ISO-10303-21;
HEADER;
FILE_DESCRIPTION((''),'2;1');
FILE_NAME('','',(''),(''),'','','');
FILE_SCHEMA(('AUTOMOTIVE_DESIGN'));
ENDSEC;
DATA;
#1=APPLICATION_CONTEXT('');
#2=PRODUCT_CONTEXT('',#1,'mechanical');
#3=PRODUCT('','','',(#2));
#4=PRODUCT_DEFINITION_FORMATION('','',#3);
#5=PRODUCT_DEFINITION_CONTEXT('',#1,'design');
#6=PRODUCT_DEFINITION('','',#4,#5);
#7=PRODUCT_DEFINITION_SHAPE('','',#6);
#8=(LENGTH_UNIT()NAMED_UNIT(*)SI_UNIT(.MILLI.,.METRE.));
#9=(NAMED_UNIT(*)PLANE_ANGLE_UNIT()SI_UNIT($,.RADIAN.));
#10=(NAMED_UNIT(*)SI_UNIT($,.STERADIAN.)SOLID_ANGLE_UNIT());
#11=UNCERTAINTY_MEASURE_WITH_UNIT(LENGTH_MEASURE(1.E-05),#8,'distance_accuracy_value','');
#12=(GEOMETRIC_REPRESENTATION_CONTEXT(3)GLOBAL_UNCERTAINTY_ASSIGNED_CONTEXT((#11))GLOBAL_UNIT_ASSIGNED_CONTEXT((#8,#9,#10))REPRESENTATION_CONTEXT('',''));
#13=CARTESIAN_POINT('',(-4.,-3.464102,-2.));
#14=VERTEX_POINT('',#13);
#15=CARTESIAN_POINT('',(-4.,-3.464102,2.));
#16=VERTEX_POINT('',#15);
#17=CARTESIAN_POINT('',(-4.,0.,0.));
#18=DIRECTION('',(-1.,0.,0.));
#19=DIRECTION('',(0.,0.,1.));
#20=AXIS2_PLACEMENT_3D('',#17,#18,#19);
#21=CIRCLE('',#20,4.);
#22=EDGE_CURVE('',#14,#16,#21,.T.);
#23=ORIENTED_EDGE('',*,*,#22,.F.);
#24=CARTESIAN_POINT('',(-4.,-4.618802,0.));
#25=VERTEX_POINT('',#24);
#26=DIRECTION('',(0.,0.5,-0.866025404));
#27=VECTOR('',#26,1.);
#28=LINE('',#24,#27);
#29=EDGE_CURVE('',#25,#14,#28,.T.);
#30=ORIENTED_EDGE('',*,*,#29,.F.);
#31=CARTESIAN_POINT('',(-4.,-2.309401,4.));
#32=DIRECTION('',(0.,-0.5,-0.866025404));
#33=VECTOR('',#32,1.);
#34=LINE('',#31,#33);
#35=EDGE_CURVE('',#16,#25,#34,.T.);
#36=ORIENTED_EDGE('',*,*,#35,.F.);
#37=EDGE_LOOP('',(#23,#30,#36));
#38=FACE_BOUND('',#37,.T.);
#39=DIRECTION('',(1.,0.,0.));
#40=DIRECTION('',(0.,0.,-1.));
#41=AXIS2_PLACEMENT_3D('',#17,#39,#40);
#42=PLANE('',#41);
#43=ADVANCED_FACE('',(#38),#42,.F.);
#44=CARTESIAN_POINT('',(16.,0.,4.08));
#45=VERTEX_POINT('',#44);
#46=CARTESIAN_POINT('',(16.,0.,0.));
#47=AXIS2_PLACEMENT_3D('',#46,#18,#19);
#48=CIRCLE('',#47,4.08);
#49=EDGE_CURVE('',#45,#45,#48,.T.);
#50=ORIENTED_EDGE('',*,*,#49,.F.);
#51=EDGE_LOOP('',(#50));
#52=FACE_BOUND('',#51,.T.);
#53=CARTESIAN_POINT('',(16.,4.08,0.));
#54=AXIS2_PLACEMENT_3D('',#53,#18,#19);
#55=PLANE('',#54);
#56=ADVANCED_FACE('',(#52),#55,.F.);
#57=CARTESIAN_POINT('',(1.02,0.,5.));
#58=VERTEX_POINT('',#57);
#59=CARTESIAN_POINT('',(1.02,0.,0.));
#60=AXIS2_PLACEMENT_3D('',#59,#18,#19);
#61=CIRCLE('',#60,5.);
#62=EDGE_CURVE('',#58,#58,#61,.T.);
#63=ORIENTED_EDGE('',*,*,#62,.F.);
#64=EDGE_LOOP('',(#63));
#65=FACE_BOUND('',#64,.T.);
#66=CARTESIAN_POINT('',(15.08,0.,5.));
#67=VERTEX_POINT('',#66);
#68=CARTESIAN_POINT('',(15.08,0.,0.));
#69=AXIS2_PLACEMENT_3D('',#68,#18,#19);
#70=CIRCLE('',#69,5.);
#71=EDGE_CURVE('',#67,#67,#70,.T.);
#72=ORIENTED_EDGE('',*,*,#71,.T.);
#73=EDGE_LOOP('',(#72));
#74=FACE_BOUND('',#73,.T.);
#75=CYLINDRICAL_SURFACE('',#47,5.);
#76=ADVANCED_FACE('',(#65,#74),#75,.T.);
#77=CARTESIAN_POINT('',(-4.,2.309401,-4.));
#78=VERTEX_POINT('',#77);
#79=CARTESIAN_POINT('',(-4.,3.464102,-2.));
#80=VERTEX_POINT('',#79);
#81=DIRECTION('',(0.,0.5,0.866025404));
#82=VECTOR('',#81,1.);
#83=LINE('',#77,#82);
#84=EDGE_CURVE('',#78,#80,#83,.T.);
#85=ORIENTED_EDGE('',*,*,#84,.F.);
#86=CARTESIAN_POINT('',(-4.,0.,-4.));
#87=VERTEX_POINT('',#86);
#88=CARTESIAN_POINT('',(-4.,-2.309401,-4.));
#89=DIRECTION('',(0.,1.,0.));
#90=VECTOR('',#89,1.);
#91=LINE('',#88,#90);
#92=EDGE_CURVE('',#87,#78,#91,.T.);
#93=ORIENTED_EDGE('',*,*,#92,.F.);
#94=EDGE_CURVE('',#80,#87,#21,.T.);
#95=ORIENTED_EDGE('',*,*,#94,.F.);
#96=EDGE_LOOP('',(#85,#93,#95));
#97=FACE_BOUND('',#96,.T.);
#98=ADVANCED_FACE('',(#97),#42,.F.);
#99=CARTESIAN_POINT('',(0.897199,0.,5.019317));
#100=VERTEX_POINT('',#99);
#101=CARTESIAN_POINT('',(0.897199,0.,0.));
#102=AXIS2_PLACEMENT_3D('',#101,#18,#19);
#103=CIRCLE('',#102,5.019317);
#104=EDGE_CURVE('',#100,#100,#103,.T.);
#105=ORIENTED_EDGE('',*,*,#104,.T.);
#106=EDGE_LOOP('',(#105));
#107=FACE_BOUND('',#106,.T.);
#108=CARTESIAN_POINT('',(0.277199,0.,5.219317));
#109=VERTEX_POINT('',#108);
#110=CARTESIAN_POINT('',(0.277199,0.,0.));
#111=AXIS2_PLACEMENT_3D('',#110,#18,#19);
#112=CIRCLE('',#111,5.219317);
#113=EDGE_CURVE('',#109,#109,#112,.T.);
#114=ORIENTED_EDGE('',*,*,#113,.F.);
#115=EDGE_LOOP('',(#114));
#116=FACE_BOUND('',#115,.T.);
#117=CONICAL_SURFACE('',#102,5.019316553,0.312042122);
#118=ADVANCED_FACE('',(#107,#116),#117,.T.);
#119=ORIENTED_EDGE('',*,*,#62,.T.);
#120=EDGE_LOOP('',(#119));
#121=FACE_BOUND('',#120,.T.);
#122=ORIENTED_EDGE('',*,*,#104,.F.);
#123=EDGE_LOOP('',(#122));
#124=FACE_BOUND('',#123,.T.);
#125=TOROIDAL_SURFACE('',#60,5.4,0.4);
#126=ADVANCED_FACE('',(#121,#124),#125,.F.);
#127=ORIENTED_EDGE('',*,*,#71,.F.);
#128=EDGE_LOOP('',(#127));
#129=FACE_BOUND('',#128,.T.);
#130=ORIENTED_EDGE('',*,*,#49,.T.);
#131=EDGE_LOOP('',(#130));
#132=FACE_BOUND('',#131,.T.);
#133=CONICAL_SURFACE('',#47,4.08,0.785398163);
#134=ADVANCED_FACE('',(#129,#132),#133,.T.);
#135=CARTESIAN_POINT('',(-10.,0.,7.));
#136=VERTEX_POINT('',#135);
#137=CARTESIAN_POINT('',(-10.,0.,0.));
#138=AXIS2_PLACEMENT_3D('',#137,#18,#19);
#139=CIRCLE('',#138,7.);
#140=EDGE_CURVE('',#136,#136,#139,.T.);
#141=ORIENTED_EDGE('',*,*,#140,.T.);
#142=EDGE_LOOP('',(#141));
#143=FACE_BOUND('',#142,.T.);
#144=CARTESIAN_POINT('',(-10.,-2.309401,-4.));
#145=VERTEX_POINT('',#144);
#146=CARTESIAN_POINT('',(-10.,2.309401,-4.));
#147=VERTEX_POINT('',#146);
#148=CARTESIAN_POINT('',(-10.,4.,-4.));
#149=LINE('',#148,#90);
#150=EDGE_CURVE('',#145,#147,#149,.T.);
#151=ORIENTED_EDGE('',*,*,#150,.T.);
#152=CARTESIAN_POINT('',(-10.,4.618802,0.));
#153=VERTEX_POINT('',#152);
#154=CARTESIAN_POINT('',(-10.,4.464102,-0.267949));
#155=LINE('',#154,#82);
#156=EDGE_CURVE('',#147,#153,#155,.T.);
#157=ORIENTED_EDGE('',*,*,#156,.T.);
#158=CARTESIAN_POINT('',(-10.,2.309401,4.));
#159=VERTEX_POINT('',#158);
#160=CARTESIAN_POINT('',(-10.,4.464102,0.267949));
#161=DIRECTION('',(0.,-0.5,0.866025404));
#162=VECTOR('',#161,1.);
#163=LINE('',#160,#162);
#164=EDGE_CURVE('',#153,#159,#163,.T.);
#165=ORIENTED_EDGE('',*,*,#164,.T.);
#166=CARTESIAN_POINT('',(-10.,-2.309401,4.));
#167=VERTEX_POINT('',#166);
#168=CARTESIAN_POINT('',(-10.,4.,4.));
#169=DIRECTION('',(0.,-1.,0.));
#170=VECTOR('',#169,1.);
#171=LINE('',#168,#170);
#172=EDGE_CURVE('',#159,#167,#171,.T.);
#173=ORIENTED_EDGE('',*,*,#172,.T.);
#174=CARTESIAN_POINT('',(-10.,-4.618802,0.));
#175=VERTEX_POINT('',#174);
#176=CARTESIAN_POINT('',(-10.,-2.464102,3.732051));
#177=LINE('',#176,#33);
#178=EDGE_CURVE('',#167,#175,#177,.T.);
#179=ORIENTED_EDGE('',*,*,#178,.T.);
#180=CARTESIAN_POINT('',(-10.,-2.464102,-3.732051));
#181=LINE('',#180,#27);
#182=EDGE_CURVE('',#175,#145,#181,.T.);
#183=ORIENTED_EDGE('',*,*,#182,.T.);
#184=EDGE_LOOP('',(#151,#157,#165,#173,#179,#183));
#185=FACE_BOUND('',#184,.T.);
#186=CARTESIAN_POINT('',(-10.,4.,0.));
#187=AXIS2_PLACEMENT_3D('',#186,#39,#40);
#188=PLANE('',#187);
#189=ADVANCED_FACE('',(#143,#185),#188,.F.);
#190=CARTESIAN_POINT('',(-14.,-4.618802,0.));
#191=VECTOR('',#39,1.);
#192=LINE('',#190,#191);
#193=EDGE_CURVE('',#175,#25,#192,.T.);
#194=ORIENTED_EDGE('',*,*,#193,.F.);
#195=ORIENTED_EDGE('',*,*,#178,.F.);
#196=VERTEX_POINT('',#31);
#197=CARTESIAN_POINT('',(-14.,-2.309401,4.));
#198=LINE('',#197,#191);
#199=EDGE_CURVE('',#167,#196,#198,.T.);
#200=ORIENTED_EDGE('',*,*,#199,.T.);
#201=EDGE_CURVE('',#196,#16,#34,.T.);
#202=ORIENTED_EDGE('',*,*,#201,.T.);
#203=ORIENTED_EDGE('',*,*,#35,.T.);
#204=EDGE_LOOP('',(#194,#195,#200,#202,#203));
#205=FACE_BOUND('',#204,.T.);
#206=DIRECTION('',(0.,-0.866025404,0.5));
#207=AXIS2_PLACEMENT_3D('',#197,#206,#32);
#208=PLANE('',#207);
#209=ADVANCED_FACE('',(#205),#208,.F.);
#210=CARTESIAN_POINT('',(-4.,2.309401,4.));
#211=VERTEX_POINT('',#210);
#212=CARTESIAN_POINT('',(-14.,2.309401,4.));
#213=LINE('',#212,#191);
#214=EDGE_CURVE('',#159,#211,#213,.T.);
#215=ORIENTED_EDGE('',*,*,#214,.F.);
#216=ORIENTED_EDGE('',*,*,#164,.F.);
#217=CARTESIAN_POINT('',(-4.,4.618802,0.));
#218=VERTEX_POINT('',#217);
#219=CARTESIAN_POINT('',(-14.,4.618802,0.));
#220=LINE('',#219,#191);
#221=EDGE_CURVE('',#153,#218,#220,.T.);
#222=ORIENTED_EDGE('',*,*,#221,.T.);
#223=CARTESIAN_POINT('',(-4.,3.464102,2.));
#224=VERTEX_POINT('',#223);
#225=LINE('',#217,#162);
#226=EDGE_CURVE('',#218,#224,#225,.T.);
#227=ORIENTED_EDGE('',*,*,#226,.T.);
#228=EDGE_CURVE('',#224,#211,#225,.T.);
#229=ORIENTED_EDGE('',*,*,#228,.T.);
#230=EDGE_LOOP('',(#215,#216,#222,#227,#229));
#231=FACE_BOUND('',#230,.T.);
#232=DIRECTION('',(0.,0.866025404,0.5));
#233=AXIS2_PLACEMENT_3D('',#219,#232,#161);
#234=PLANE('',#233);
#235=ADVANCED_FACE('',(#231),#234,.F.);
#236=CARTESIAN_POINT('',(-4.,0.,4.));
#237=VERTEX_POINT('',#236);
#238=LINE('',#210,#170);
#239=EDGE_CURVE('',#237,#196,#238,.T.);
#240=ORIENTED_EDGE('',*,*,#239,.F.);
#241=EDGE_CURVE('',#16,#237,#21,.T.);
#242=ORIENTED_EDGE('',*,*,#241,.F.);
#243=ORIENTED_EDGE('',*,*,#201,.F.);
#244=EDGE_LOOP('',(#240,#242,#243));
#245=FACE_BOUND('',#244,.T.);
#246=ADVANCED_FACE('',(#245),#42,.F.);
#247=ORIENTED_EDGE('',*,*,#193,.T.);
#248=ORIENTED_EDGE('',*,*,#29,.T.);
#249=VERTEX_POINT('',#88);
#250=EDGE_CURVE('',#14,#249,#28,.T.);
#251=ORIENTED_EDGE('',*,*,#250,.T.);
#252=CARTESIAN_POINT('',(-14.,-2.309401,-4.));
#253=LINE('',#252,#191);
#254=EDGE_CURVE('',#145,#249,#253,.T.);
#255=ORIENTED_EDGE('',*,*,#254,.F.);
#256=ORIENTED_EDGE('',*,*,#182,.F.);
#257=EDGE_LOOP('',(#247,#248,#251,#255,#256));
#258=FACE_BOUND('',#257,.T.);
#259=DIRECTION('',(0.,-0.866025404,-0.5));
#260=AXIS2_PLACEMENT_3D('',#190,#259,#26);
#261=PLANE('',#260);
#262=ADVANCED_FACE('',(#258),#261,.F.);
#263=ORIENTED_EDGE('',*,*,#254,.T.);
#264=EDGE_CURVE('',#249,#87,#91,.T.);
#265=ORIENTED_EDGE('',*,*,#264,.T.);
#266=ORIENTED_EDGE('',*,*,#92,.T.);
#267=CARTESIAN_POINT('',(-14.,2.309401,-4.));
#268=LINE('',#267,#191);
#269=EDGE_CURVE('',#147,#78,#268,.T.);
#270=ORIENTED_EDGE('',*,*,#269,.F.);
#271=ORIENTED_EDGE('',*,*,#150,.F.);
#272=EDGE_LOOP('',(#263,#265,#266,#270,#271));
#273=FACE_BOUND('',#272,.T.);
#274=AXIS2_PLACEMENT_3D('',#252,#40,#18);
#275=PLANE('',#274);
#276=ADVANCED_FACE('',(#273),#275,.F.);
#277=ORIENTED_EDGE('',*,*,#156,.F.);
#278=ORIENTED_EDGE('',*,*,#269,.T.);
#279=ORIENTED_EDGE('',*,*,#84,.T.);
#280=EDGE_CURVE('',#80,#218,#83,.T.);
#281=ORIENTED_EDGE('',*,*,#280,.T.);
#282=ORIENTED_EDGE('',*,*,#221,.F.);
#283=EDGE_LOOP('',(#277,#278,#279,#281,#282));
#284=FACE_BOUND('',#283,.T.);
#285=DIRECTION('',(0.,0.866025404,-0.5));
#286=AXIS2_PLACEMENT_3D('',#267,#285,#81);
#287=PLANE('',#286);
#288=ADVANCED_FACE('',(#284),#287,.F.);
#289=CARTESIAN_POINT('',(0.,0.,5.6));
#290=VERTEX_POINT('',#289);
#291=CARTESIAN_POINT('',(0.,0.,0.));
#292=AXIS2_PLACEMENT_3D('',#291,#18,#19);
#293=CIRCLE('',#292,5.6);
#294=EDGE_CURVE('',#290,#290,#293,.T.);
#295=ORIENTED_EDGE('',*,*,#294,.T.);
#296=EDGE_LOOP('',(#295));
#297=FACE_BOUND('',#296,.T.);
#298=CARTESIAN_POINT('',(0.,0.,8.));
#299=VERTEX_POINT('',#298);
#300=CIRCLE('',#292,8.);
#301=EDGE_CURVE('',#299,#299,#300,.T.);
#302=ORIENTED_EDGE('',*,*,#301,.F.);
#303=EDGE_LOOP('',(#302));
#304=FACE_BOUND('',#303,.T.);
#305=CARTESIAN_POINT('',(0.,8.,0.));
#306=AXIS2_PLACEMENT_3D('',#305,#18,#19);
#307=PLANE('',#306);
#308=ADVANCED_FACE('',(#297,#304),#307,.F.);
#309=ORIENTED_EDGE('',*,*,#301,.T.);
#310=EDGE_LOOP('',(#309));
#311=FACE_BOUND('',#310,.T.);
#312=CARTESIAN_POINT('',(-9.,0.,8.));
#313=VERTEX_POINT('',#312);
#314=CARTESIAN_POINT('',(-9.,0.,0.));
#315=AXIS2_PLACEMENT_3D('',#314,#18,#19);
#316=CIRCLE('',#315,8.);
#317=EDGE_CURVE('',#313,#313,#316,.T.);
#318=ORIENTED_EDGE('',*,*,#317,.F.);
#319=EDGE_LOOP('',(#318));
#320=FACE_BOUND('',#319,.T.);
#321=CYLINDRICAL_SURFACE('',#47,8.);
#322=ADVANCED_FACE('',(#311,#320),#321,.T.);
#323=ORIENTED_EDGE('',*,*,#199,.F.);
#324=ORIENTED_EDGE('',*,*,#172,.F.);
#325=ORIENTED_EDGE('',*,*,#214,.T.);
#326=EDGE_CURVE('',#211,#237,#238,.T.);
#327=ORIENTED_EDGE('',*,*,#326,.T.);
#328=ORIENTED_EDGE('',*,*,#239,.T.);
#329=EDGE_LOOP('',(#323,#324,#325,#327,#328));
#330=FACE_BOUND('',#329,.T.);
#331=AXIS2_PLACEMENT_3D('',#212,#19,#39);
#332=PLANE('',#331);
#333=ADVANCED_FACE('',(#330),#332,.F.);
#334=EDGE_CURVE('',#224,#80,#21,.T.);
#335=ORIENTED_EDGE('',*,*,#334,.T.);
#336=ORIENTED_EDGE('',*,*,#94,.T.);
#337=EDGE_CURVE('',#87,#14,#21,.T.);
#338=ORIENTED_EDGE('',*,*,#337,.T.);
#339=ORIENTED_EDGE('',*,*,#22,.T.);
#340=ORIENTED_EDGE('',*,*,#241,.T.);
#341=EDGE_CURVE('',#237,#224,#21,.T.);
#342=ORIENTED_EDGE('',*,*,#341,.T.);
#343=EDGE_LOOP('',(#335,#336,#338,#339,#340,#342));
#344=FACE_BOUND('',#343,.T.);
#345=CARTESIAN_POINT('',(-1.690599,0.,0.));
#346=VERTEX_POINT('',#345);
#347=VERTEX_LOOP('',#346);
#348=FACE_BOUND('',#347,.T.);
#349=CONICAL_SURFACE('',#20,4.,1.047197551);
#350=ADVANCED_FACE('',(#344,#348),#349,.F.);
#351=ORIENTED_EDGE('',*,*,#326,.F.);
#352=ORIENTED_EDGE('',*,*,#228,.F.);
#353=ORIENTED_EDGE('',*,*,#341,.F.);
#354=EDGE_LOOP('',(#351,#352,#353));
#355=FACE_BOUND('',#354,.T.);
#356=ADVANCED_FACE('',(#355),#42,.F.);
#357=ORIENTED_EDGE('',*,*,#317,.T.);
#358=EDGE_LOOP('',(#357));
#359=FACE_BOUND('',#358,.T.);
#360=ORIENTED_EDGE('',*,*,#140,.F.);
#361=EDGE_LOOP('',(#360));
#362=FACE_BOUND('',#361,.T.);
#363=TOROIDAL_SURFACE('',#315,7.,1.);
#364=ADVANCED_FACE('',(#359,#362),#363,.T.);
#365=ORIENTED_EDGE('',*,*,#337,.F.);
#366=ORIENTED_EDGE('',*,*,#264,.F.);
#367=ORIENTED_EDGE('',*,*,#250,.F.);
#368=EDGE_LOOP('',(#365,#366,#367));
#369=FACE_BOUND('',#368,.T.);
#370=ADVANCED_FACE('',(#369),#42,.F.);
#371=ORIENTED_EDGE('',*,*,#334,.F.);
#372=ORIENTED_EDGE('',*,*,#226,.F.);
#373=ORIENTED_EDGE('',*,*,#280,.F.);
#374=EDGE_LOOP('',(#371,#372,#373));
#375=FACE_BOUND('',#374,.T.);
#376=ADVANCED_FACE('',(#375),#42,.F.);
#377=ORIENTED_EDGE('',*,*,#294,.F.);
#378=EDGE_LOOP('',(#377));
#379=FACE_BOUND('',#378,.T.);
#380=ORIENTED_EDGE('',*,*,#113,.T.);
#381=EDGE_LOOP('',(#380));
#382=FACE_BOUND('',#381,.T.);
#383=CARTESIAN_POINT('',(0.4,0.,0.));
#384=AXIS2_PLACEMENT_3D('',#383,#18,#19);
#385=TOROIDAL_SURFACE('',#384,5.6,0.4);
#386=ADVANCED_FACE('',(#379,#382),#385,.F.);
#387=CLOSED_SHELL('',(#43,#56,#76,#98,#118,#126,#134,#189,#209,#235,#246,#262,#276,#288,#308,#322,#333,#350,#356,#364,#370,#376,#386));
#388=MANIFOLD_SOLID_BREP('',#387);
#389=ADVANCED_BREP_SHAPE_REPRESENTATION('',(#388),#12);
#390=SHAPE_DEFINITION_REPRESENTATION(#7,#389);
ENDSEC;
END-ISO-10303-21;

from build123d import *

# Parameters (mm, degrees)
CUT_EXTRUDE_1_DEPTH = 10
SKETCH_3_R          = 6
EXTRUDE_1_DEPTH     = 5


with BuildPart() as part:
    # 草图1 → 旋转1 (revolve)
    with BuildSketch(Plane.XY, mode=Mode.PRIVATE) as revolve_1_sk:
        with BuildLine():
            Line((-1.690598923, 0), (-4, 4))
            Line((-4, 4), (-10, 4))
            Line((-10, 4), (-10, 7))
            ThreePointArc((-10, 7), (-9.707106781, 7.707106781), (-9, 8))
            Line((-9, 8), (0, 8))
            Line((0, 8), (0, 5.6))
            ThreePointArc((0, 5.6), (0.076642269, 5.36454347), (0.277198888, 5.219316553))
            Line((0.277198888, 5.219316553), (0.897198888, 5.019316553))
            ThreePointArc((0.897198888, 5.019316553), (0.957844465, 5.004858646), (1.02, 5))
            Line((1.02, 5), (15.08, 5))
            Line((15.08, 5), (16, 4.08))
            Line((16, 4.08), (16, 0))
            Line((16, 0), (-1.690598923, 0))
        make_face()
    revolve(revolve_1_sk.sketch.rotate(Axis((16, 0, 0), (-1, 0, 0)), 270), axis=Axis((16, 0, 0), (-1, 0, 0)))

    # 草图2 → 切除-拉伸1 (cut)
    with BuildSketch(Plane(origin=(-4, 0, 0), x_dir=(0, 0, -1), z_dir=(1, 0, 0))):
        Polygon((-4, 2.309401077), (-4, -2.309401077), (0, -4.618802154), (4, -2.309401077), (4, 2.309401077), (0, 4.618802154), align=None)
    extrude(amount=-CUT_EXTRUDE_1_DEPTH, mode=Mode.SUBTRACT)


with BuildPart() as body_2:
    # 草图3 → 凸台-拉伸1 (new body)
    with BuildSketch(Plane(origin=(0, 0, 0), x_dir=(0, 0, -1), z_dir=(1, 0, 0))):
        Circle(SKETCH_3_R)
    extrude(amount=-EXTRUDE_1_DEPTH)

    # Delete Face 1: 1 face struck out; the rest of the skin is kept as a surface, the solid goes
    delete_face_1_1_drop = [body_2.part.faces().sort_by_distance(Vector(p))[0] for p in ((-5, 0, 0),)]
    delete_face_1_1 = Shell(body_2.part.faces() - delete_face_1_1_drop)


solid = part.part
